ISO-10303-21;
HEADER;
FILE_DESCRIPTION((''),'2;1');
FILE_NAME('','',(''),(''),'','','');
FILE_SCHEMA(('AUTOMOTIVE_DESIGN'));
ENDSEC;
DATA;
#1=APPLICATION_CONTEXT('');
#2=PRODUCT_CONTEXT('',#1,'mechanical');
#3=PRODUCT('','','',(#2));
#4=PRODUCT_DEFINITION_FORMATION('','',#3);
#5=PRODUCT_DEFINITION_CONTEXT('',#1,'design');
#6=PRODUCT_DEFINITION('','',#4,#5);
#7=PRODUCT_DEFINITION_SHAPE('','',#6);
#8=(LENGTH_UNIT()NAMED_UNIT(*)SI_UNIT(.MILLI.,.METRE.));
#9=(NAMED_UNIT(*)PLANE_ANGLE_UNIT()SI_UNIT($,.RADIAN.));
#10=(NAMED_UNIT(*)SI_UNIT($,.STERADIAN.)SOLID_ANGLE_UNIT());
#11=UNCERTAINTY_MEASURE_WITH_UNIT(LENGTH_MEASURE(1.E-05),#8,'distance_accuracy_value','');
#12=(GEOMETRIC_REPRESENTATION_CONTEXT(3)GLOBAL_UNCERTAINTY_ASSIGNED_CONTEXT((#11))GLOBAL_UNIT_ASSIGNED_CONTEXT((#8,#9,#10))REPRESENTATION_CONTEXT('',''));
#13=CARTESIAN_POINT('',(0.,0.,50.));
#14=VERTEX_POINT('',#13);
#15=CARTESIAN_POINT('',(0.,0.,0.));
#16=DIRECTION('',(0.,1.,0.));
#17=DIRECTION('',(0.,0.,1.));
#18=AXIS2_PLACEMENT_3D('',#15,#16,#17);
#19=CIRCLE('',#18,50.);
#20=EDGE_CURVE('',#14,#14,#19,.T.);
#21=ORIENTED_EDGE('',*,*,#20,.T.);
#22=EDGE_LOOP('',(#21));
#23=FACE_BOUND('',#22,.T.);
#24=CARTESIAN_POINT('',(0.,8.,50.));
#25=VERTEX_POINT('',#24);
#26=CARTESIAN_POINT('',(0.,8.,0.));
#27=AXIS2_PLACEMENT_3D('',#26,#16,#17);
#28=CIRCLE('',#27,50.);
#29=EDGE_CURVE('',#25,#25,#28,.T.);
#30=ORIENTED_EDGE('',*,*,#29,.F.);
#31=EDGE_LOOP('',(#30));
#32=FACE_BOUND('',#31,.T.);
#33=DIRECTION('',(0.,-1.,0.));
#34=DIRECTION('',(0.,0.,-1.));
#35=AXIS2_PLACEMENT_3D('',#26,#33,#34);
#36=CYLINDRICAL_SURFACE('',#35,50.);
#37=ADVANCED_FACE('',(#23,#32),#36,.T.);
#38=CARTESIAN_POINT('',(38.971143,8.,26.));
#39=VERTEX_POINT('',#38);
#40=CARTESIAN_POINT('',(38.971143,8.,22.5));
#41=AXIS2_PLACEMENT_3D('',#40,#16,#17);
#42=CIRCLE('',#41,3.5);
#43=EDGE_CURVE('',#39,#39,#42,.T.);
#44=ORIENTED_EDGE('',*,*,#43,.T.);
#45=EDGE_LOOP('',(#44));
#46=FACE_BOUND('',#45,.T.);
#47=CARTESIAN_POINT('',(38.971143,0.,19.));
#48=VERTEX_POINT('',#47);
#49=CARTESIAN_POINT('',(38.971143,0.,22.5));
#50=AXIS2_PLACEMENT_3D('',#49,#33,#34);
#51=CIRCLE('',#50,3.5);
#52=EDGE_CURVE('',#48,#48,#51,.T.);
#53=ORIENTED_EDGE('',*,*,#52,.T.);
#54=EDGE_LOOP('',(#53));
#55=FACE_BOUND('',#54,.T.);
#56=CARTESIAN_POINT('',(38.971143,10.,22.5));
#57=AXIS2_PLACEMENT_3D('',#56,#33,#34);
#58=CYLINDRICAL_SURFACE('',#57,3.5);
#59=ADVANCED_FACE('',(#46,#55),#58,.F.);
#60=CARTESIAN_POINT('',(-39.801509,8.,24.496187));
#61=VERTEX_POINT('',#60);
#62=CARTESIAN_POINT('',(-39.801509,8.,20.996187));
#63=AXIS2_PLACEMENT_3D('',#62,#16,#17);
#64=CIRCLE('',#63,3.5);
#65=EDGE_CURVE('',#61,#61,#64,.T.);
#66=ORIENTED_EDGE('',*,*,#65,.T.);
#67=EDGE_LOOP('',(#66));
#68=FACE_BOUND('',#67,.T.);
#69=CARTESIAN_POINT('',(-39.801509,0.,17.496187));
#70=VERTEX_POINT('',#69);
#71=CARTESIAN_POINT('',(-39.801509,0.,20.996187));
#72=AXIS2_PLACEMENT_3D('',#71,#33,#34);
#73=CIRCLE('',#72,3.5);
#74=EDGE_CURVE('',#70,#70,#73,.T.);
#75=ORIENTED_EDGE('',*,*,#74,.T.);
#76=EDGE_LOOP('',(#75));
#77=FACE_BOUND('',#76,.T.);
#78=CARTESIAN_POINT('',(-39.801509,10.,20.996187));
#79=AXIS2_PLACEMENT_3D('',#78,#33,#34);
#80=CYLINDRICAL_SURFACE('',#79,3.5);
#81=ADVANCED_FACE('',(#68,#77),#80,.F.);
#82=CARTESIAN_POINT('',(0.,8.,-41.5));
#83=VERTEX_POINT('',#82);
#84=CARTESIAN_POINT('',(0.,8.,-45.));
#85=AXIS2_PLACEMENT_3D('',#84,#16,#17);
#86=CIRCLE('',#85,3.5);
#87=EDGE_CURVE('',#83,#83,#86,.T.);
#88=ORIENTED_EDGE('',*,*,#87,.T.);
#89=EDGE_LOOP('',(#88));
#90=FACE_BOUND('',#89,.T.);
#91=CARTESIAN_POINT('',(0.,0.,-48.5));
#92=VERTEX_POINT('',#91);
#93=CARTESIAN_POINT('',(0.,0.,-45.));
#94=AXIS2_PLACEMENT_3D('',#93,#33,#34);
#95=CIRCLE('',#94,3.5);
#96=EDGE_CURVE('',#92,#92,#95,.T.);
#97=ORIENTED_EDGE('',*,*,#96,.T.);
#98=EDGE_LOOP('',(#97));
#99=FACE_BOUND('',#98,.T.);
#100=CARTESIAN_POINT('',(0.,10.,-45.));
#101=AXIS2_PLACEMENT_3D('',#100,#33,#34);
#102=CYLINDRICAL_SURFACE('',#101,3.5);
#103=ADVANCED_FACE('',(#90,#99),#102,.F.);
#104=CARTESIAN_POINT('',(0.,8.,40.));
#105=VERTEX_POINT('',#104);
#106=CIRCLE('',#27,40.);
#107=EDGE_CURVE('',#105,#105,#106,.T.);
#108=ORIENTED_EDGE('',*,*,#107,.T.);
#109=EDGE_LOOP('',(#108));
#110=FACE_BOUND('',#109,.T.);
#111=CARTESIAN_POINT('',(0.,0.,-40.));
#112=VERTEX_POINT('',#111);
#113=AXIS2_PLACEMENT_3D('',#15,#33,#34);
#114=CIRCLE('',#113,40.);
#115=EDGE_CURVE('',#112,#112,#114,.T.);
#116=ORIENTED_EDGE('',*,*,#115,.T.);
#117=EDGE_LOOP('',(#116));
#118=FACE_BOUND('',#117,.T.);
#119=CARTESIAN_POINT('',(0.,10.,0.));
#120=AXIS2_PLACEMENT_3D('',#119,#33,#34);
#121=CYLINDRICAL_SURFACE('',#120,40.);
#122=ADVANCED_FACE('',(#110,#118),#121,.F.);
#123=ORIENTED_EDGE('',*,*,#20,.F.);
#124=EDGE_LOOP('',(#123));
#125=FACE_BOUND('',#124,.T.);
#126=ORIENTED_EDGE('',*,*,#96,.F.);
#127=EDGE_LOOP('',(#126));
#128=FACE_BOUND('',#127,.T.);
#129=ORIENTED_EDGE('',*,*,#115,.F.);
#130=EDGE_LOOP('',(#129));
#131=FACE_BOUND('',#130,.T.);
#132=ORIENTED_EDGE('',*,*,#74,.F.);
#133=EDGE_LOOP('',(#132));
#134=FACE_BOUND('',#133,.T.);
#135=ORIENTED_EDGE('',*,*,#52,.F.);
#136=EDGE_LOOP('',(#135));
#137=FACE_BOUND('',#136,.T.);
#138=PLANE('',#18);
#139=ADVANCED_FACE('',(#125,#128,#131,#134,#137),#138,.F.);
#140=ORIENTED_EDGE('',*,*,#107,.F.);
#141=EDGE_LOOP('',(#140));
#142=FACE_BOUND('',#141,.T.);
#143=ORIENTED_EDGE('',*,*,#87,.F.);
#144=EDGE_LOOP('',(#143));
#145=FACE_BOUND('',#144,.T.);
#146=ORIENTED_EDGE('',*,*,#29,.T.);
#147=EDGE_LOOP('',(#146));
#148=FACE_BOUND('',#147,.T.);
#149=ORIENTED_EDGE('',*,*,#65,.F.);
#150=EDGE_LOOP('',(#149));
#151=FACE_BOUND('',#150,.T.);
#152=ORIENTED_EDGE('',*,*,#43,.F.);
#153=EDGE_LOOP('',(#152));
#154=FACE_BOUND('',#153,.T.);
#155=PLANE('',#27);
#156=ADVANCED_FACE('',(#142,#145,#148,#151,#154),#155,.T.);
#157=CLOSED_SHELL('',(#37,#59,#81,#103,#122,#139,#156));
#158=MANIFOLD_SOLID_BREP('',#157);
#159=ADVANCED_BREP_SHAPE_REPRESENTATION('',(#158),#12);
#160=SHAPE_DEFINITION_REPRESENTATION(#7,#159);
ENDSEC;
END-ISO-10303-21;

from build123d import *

# Parameters (mm, degrees)
SKIZZE2_R                       = 50
SKIZZE2_R_2                     = 2
AUFSATZ_LINEAR_AUSTRAGEN1_DEPTH = 8
SCHNITT_LINEAR_AUSTRAGEN2_DEPTH = 3
SKIZZE39_R                      = 40
SCHNITT_LINEAR_AUSTRAGEN3_DEPTH = 10
SKIZZE10_R                      = 3.5
SCHNITT_LINEAR_AUSTRAGEN4_DEPTH = 10


with BuildPart() as part:
    # Skizze2 → Aufsatz-Linear austragen1 (new body)
    with BuildSketch(Plane(origin=(0, 0, 0), x_dir=(1, 0, 0), z_dir=(0, 1, 0))):
        with Locations(Location((0, 0, 0), (0, 0, 270))):
            Circle(SKIZZE2_R)
        with Locations(Location((38.97114317, -22.5, 0), (0, 0, 270))):
            Circle(SKIZZE2_R_2, mode=Mode.SUBTRACT)
        with Locations(Location((-39.80150929, -20.996186754, 0), (0, 0, 270))):
            Circle(SKIZZE2_R_2, mode=Mode.SUBTRACT)
        with Locations(Location((0, 45, 0), (0, 0, 270))):
            Circle(SKIZZE2_R_2, mode=Mode.SUBTRACT)
        with Locations(Location((0, -35, 0), (0, 0, 270))):
            Circle(SKIZZE2_R_2, mode=Mode.SUBTRACT)
        with Locations(Location((0, -27.5, 0), (0, 0, 270))):
            Circle(SKIZZE2_R_2, mode=Mode.SUBTRACT)
    extrude(amount=AUFSATZ_LINEAR_AUSTRAGEN1_DEPTH)

    # Skizze9 → Schnitt-Linear austragen2 (cut)
    with BuildSketch(Plane(origin=(0, 8, 0), x_dir=(1, 0, 0), z_dir=(0, 1, 0))):
        with BuildLine():
            Line((-6, -39.531216002), (-6, -22.531216002))
            Line((-6, -22.531216002), (6, -22.531216002))
            Line((6, -22.531216002), (6, -39.531216002))
            ThreePointArc((6, -39.531216002), (0, 39.983959767), (-6, -39.531216002))
        make_face()
    extrude(amount=-SCHNITT_LINEAR_AUSTRAGEN2_DEPTH, mode=Mode.SUBTRACT)

    # Skizze39 → Schnitt-Linear austragen3 (cut)
    with BuildSketch(Plane(origin=(0, 0, 0), x_dir=(-1, 0, 0), z_dir=(0, -1, 0))):
        with Locations(Location((0, 0, 0), (0, 0, 90))):
            Circle(SKIZZE39_R)
    extrude(amount=-SCHNITT_LINEAR_AUSTRAGEN3_DEPTH, mode=Mode.SUBTRACT)

    # Skizze10 → Schnitt-Linear austragen4 (cut)
    with BuildSketch(Plane.XZ):
        with Locations(Location((38.97114317, 22.5, 0), (0, 0, 270))):
            Circle(SKIZZE10_R)
        with Locations(Location((-39.80150929, 20.996186754, 0), (0, 0, 270))):
            Circle(SKIZZE10_R)
        with Locations(Location((0, -45, 0), (0, 0, 270))):
            Circle(SKIZZE10_R)
    extrude(amount=-SCHNITT_LINEAR_AUSTRAGEN4_DEPTH, mode=Mode.SUBTRACT)


solid = part.part
